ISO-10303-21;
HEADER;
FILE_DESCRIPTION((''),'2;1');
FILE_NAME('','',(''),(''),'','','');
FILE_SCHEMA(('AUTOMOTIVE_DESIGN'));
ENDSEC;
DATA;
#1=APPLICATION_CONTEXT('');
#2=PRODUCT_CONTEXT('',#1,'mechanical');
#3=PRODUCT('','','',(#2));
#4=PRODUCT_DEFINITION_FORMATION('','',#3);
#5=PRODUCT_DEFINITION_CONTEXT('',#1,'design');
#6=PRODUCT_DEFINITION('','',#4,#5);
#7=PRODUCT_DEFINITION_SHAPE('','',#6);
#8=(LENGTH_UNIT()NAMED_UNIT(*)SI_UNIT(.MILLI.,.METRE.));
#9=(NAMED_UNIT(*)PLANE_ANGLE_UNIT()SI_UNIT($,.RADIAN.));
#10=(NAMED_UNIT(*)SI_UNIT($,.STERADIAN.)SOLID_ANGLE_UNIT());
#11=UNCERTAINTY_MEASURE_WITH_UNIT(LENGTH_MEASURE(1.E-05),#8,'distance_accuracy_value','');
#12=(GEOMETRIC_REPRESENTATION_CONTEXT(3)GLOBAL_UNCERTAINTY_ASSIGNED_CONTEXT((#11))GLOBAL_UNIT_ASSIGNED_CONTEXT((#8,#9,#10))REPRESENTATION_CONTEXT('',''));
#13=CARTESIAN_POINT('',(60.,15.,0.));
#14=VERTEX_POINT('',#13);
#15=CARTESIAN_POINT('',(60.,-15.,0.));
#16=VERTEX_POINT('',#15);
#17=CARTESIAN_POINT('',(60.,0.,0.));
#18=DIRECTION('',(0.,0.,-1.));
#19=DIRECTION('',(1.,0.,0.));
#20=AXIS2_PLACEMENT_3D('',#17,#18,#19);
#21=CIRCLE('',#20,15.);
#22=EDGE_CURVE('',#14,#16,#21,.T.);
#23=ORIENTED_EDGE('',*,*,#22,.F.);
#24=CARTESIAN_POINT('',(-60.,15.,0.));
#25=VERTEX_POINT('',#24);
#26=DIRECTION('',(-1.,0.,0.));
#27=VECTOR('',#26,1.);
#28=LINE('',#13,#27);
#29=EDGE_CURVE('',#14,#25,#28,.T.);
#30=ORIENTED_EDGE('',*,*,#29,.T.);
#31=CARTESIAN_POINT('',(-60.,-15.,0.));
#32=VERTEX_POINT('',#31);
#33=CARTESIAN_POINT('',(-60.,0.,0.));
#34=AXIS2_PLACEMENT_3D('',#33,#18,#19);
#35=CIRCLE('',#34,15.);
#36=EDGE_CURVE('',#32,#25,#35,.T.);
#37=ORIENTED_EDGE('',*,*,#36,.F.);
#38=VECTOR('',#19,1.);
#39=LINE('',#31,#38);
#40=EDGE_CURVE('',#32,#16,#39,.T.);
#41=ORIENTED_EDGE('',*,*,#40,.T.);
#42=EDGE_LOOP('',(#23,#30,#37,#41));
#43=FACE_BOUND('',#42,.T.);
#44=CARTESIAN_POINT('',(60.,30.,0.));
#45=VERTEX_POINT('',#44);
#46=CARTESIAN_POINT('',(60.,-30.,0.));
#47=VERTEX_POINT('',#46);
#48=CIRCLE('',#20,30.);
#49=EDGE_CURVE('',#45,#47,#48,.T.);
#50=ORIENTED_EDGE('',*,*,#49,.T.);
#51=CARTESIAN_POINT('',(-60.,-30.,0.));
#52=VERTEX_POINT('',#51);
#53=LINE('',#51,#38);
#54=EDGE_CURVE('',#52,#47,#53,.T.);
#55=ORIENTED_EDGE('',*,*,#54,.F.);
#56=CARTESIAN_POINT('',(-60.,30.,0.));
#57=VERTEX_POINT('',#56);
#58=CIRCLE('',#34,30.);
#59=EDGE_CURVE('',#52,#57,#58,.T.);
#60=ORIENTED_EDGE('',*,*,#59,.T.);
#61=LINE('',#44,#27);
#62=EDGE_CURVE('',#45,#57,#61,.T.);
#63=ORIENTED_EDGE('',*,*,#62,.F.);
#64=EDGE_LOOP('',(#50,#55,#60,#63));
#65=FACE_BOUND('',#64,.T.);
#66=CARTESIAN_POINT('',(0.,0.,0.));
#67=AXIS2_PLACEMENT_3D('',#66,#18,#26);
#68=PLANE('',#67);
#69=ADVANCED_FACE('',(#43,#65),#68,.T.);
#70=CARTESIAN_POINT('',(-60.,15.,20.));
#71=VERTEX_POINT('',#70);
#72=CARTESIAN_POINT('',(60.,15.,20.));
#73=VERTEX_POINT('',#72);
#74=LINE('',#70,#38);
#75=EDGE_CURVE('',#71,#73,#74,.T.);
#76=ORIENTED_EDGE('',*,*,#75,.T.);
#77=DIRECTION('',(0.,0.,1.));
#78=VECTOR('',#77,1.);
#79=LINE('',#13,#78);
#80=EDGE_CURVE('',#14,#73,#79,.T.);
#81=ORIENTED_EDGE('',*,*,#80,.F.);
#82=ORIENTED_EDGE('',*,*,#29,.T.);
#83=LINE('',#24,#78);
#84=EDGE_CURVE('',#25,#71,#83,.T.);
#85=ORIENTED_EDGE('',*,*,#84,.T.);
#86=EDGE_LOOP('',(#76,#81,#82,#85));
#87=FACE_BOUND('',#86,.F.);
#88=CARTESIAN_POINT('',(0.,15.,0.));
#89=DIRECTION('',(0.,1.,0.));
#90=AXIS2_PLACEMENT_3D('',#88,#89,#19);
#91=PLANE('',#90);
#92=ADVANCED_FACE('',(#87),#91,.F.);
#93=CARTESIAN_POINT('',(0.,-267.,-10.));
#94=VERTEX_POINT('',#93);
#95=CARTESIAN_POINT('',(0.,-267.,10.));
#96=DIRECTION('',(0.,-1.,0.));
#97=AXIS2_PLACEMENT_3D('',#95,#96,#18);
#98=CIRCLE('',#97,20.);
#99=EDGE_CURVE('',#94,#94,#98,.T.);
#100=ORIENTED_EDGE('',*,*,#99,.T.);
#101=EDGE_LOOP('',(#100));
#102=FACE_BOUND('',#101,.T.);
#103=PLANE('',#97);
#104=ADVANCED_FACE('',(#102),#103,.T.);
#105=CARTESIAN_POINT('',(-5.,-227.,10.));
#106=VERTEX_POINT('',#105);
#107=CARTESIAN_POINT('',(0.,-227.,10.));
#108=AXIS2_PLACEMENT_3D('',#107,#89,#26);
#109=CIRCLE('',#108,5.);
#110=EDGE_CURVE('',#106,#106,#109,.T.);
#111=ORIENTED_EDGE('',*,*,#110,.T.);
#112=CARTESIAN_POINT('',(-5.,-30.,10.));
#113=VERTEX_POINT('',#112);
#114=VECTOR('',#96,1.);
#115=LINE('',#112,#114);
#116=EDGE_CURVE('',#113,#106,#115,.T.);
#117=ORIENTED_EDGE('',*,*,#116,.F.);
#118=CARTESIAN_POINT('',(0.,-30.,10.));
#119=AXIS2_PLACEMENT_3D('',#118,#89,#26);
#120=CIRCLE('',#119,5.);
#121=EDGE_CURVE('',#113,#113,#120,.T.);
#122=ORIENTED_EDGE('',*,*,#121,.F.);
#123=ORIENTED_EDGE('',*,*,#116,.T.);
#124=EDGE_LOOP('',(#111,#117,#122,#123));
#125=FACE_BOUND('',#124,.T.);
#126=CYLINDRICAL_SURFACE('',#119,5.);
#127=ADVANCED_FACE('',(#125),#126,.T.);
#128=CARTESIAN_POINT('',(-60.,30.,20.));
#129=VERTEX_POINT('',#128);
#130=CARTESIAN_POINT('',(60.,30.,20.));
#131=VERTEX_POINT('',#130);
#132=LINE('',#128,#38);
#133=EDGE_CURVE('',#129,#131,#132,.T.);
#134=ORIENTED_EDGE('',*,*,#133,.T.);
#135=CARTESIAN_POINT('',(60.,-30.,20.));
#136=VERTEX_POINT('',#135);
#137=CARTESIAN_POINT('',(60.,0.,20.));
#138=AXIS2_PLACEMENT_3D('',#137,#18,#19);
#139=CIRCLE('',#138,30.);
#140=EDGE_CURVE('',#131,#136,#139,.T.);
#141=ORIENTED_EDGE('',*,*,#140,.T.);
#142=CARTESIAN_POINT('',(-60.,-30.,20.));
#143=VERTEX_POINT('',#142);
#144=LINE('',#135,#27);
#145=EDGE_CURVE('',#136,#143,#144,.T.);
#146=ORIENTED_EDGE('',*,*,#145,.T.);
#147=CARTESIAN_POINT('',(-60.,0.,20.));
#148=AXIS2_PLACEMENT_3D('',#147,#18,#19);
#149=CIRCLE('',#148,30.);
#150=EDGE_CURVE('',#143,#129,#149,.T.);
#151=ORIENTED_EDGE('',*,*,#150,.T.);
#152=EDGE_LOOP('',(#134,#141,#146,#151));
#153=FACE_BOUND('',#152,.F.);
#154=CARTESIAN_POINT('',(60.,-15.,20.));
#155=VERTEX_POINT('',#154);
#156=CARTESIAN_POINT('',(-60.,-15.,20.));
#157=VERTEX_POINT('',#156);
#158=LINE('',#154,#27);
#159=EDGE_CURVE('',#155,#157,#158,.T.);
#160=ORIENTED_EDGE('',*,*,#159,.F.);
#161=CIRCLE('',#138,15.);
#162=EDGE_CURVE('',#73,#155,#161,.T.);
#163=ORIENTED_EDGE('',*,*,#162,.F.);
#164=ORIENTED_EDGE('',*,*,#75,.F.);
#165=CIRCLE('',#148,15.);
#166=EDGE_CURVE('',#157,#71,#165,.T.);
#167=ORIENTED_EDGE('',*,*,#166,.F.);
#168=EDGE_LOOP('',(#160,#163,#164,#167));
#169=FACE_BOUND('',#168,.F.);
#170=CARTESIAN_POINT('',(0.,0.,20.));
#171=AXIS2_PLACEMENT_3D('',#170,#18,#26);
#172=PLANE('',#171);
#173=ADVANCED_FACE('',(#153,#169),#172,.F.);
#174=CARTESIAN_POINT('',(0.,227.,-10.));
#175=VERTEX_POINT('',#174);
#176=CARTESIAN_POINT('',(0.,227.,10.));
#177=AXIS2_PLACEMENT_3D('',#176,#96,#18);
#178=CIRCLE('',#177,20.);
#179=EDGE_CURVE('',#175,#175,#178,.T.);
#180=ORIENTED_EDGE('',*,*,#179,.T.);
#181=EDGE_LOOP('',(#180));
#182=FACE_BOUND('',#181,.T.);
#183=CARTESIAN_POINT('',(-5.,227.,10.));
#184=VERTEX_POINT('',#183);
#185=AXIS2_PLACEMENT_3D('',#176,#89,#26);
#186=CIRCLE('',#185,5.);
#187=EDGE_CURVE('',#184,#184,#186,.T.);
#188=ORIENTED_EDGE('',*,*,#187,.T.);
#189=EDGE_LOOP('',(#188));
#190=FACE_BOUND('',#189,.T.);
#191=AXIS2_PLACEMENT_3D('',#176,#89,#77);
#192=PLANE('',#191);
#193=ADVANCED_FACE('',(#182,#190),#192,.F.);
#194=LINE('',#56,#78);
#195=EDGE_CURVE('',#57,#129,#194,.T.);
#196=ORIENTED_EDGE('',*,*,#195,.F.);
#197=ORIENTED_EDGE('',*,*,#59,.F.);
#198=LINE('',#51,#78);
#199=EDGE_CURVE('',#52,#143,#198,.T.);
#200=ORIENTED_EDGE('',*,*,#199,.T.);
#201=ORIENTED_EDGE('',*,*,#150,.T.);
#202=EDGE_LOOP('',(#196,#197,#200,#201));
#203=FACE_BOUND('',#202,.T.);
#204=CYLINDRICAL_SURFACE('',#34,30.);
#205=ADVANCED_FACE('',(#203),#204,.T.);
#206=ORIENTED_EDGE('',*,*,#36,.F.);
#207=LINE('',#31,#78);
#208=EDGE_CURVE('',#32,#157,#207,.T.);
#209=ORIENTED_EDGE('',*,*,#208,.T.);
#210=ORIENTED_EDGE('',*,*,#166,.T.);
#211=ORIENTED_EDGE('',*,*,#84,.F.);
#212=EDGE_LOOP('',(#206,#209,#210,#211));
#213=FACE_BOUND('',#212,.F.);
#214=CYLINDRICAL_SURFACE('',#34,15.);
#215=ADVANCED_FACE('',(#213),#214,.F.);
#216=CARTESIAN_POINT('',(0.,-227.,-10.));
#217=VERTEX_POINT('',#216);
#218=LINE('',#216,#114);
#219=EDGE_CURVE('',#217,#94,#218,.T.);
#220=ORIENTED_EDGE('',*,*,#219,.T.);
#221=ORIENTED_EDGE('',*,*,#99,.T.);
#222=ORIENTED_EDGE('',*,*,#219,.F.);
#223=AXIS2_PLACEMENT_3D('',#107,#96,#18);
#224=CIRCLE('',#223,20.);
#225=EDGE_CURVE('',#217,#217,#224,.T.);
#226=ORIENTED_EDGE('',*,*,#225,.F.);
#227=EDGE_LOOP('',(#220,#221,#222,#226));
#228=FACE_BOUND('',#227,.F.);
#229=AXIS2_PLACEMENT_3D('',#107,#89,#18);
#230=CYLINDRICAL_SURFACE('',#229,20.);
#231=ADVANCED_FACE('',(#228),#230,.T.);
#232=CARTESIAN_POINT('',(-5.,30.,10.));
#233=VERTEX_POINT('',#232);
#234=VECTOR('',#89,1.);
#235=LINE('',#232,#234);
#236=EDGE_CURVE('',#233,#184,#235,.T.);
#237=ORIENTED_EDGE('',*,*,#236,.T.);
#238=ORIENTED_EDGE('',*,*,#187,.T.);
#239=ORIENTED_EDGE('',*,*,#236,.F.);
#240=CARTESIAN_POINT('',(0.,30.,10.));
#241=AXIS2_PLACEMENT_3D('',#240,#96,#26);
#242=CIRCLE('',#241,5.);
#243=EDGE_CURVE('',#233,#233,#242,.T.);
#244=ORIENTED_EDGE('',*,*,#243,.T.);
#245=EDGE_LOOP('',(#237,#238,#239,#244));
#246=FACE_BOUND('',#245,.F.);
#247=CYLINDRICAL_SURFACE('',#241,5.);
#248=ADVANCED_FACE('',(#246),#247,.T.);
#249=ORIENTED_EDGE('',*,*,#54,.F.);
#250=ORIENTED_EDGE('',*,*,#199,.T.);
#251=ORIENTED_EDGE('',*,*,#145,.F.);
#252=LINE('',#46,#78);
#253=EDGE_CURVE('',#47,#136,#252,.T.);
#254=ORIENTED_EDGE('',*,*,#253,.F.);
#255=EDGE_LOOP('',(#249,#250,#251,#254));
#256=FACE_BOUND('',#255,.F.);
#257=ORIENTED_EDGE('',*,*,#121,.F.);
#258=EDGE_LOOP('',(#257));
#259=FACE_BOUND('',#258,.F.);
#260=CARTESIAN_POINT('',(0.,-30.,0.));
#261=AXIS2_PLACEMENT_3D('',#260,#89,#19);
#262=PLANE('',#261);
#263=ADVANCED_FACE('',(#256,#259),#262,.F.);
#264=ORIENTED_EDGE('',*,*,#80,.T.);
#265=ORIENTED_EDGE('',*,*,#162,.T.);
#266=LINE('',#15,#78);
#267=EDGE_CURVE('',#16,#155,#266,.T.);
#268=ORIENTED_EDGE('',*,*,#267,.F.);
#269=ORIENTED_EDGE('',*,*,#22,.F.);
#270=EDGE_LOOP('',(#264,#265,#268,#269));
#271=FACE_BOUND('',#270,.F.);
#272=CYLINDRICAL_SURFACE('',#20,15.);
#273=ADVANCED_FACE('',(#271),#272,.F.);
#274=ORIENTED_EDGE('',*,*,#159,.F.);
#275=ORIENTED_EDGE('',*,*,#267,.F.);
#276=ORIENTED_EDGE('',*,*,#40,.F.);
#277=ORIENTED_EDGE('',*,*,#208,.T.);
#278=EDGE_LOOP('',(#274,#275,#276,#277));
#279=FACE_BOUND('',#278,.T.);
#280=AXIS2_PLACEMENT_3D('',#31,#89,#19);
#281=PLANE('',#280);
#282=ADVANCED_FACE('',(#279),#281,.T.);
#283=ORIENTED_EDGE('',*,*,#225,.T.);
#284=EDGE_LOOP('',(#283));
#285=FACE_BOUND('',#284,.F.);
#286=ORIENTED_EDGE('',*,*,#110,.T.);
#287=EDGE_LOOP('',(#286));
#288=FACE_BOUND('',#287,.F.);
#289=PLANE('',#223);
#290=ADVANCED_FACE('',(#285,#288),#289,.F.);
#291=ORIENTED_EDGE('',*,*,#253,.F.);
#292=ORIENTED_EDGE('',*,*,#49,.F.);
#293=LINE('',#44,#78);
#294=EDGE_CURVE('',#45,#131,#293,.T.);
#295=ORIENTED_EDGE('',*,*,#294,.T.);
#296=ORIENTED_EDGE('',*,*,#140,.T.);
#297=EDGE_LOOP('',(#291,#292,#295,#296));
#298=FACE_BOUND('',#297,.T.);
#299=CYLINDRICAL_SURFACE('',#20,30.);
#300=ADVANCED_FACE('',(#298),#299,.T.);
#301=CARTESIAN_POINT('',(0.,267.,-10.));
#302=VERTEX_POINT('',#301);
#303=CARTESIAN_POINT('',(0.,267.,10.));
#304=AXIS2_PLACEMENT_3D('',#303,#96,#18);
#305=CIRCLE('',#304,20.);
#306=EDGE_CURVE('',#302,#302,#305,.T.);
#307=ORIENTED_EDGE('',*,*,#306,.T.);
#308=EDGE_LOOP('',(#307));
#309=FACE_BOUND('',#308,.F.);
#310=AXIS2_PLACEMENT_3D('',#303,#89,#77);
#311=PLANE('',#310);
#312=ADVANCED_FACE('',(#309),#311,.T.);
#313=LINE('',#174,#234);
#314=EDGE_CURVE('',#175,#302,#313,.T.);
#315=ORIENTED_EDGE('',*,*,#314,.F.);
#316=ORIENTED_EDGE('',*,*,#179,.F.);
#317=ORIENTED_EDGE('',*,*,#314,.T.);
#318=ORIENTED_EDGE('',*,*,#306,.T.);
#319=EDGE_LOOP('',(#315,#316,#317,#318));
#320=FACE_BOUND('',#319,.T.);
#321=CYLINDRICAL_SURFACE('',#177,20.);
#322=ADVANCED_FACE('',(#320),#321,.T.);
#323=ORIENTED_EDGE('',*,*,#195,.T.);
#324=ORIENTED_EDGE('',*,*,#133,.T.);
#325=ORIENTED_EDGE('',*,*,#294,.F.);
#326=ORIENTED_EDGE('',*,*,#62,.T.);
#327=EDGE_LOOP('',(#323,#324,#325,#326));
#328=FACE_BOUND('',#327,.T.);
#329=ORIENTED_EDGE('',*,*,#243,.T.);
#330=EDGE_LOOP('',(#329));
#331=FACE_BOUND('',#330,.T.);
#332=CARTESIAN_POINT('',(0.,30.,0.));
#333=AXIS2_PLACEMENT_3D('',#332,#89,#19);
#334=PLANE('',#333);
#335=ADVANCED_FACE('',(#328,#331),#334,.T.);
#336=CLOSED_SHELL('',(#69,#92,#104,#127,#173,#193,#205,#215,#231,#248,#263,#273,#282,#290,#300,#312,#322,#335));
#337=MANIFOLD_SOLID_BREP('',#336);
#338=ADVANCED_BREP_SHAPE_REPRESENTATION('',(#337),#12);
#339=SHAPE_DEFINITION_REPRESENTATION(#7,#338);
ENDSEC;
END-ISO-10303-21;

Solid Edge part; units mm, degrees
sketch "Sketch1" plane through (0, 0, 0) normal (0, 0, 1) x (1, 0, 0)
  arc A0 (60, 30) -> (60, -30) centre (60, 0) cw
  line L0 (0, -30) -> (60, -30)
  line L1 (-60, -30) -> (0, -30)
  arc A1 (-60, -30) -> (-60, 30) centre (-60, 0) cw
  line L2 (-60, 30) -> (0, 30)
  line L3 (0, 30) -> (60, 30)
  arc A2 (60, 15) -> (60, -15) centre (60, 0) cw
  line L4 (0, -15) -> (60, -15)
  line L5 (-60, -15) -> (0, -15)
  arc A3 (-60, -15) -> (-60, 15) centre (-60, 0) cw
  line L6 (-60, 15) -> (0, 15)
  line L7 (0, 15) -> (60, 15)
extrude "ExtrudedProtrusion_1" add sketch "Sketch1" along normal blind 20
sketch "Sketch2" plane through (0, 30, 10) normal (0, 1, 0) x (-1, 0, 0)
  circle A0 centre (0, 0) radius 5
extrude "ExtrudedProtrusion_2" add sketch "Sketch2" along normal blind 197
mirror "Mirror1" about plane through (0, 0, 10) normal (0, 1, 0) of "ExtrudedProtrusion_2"
sketch "Sketch3" plane through (0, -227, 10) normal (0, -1, 0) x (0, 0, -1)
  circle A0 centre (0, 0) radius 20
extrude "ExtrudedProtrusion_3" add sketch "Sketch3" along normal blind 40
mirror "Mirror2" about plane through (0, 0, 0) normal (0, -1, 0) of "ExtrudedProtrusion_3"
